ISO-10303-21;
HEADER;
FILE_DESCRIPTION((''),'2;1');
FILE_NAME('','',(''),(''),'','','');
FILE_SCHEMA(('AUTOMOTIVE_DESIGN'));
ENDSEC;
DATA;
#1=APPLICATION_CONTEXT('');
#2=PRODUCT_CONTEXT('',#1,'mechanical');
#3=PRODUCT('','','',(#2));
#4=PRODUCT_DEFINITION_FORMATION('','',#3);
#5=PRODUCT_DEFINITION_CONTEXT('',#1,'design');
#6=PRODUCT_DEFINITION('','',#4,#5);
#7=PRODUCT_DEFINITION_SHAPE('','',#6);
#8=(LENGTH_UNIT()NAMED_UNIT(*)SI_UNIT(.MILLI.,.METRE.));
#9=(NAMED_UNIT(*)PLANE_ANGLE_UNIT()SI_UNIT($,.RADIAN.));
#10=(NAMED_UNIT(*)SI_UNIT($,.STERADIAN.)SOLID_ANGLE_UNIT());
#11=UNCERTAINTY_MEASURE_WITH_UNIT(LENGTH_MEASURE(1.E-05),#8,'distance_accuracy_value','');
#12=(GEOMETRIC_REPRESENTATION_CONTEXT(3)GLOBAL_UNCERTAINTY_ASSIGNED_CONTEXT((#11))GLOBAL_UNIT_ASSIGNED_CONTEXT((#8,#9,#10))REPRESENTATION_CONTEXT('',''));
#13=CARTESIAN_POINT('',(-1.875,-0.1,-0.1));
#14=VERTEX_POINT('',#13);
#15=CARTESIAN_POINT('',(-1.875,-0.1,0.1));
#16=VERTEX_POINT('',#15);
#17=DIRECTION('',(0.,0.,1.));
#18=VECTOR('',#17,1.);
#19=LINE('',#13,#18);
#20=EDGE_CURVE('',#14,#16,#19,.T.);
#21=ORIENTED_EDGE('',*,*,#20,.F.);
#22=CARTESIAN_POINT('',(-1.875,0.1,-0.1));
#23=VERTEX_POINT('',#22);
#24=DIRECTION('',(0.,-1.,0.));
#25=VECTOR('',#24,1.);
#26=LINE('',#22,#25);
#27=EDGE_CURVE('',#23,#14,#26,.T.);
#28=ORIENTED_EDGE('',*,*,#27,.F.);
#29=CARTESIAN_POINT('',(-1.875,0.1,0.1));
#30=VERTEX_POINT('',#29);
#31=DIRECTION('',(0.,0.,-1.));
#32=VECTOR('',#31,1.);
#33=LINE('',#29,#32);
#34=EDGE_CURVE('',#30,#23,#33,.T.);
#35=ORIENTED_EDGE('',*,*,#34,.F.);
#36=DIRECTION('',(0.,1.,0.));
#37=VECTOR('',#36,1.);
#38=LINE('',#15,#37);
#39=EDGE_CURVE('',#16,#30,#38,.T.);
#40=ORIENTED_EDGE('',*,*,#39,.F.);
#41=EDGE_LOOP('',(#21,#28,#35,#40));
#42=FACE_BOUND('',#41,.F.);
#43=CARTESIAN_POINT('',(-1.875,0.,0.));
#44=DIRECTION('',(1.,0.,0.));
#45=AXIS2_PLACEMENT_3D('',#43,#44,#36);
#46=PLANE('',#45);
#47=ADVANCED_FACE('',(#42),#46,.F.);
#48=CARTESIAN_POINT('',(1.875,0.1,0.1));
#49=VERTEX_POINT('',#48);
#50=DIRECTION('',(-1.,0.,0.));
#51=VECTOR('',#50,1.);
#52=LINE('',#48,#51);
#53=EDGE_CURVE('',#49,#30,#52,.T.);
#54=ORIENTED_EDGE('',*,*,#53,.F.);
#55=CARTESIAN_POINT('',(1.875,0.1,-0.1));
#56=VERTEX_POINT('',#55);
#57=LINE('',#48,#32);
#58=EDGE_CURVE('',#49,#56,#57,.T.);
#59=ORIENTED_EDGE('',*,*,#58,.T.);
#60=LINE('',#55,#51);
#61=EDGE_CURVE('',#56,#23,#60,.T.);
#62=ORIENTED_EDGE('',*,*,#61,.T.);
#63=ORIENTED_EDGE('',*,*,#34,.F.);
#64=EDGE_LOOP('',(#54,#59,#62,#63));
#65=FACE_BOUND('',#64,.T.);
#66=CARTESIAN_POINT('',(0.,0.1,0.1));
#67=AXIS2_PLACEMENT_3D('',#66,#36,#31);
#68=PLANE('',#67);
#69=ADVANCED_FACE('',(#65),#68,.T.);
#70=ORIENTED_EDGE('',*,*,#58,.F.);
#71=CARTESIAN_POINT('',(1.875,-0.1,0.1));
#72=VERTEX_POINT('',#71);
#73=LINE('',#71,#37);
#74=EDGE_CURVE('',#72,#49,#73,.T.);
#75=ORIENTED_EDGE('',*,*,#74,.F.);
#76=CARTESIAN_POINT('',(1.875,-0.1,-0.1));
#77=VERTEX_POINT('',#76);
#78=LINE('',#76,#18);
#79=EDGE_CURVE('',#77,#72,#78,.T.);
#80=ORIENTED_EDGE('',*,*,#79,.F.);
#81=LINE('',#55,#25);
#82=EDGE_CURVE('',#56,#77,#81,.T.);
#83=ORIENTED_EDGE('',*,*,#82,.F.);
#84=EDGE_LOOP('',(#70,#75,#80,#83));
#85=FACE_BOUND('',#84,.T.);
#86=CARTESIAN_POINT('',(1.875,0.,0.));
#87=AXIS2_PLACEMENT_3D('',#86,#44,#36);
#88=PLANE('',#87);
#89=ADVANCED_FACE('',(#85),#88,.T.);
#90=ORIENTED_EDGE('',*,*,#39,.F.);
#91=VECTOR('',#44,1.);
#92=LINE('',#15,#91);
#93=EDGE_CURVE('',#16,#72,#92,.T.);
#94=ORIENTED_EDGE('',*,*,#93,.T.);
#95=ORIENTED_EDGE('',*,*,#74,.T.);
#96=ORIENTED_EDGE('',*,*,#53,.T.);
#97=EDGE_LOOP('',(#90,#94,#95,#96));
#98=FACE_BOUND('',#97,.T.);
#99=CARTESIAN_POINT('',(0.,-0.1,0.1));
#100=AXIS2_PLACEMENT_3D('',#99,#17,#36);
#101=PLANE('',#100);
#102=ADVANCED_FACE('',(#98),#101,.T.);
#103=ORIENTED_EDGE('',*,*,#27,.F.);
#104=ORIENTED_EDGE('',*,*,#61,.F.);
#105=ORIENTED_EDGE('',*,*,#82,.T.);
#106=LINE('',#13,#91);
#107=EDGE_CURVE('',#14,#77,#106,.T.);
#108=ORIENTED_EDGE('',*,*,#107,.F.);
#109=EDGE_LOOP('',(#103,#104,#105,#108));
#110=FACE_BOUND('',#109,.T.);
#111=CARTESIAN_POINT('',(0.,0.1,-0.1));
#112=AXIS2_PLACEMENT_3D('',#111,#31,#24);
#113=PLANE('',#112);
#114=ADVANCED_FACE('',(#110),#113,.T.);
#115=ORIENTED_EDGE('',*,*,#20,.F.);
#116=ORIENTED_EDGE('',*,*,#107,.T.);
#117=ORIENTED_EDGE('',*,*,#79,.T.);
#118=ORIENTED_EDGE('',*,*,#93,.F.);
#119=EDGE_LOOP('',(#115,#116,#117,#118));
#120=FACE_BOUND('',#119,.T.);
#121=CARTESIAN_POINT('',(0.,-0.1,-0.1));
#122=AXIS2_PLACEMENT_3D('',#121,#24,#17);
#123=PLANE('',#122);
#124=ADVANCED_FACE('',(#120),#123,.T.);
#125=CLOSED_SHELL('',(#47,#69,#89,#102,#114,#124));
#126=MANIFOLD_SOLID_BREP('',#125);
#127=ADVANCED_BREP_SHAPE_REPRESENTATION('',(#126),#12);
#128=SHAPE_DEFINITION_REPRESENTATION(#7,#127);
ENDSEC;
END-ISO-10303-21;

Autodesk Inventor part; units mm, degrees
ref_plane "YZ Plane" through (0, 0, 0) normal (1, 0, 0) x (0, 1, 0)
ref_plane "XZ Plane" through (0, 0, 0) normal (0, 1, 0) x (-1, 0, 0)
ref_plane "XY Plane" through (0, 0, 0) normal (0, 0, 1) x (1, 0, 0)
sketch "Sketch1" plane through (0, 0, 0) normal (1, 0, 0) x (0, 1, 0)
  line L0 (-0.1, 0.1) -> (0.1, 0.1)
  line L1 (0.1, 0.1) -> (0.1, -0.1)
  line L2 (0.1, -0.1) -> (-0.1, -0.1)
  line L3 (-0.1, -0.1) -> (-0.1, 0.1)
  line L4 (-0.1, 0.1) -> (0.1, -0.1) construction
  line L5 (0.1, 0.1) -> (-0.1, -0.1) construction
  point P0 (0, 0)
  dimension "d0" = 0.2
  dimension "d1" = 0.2
extrude "Extrusion1" add sketch "Sketch1" along normal mid plane 3.75
properties part number "Bone8_3_Fix"
